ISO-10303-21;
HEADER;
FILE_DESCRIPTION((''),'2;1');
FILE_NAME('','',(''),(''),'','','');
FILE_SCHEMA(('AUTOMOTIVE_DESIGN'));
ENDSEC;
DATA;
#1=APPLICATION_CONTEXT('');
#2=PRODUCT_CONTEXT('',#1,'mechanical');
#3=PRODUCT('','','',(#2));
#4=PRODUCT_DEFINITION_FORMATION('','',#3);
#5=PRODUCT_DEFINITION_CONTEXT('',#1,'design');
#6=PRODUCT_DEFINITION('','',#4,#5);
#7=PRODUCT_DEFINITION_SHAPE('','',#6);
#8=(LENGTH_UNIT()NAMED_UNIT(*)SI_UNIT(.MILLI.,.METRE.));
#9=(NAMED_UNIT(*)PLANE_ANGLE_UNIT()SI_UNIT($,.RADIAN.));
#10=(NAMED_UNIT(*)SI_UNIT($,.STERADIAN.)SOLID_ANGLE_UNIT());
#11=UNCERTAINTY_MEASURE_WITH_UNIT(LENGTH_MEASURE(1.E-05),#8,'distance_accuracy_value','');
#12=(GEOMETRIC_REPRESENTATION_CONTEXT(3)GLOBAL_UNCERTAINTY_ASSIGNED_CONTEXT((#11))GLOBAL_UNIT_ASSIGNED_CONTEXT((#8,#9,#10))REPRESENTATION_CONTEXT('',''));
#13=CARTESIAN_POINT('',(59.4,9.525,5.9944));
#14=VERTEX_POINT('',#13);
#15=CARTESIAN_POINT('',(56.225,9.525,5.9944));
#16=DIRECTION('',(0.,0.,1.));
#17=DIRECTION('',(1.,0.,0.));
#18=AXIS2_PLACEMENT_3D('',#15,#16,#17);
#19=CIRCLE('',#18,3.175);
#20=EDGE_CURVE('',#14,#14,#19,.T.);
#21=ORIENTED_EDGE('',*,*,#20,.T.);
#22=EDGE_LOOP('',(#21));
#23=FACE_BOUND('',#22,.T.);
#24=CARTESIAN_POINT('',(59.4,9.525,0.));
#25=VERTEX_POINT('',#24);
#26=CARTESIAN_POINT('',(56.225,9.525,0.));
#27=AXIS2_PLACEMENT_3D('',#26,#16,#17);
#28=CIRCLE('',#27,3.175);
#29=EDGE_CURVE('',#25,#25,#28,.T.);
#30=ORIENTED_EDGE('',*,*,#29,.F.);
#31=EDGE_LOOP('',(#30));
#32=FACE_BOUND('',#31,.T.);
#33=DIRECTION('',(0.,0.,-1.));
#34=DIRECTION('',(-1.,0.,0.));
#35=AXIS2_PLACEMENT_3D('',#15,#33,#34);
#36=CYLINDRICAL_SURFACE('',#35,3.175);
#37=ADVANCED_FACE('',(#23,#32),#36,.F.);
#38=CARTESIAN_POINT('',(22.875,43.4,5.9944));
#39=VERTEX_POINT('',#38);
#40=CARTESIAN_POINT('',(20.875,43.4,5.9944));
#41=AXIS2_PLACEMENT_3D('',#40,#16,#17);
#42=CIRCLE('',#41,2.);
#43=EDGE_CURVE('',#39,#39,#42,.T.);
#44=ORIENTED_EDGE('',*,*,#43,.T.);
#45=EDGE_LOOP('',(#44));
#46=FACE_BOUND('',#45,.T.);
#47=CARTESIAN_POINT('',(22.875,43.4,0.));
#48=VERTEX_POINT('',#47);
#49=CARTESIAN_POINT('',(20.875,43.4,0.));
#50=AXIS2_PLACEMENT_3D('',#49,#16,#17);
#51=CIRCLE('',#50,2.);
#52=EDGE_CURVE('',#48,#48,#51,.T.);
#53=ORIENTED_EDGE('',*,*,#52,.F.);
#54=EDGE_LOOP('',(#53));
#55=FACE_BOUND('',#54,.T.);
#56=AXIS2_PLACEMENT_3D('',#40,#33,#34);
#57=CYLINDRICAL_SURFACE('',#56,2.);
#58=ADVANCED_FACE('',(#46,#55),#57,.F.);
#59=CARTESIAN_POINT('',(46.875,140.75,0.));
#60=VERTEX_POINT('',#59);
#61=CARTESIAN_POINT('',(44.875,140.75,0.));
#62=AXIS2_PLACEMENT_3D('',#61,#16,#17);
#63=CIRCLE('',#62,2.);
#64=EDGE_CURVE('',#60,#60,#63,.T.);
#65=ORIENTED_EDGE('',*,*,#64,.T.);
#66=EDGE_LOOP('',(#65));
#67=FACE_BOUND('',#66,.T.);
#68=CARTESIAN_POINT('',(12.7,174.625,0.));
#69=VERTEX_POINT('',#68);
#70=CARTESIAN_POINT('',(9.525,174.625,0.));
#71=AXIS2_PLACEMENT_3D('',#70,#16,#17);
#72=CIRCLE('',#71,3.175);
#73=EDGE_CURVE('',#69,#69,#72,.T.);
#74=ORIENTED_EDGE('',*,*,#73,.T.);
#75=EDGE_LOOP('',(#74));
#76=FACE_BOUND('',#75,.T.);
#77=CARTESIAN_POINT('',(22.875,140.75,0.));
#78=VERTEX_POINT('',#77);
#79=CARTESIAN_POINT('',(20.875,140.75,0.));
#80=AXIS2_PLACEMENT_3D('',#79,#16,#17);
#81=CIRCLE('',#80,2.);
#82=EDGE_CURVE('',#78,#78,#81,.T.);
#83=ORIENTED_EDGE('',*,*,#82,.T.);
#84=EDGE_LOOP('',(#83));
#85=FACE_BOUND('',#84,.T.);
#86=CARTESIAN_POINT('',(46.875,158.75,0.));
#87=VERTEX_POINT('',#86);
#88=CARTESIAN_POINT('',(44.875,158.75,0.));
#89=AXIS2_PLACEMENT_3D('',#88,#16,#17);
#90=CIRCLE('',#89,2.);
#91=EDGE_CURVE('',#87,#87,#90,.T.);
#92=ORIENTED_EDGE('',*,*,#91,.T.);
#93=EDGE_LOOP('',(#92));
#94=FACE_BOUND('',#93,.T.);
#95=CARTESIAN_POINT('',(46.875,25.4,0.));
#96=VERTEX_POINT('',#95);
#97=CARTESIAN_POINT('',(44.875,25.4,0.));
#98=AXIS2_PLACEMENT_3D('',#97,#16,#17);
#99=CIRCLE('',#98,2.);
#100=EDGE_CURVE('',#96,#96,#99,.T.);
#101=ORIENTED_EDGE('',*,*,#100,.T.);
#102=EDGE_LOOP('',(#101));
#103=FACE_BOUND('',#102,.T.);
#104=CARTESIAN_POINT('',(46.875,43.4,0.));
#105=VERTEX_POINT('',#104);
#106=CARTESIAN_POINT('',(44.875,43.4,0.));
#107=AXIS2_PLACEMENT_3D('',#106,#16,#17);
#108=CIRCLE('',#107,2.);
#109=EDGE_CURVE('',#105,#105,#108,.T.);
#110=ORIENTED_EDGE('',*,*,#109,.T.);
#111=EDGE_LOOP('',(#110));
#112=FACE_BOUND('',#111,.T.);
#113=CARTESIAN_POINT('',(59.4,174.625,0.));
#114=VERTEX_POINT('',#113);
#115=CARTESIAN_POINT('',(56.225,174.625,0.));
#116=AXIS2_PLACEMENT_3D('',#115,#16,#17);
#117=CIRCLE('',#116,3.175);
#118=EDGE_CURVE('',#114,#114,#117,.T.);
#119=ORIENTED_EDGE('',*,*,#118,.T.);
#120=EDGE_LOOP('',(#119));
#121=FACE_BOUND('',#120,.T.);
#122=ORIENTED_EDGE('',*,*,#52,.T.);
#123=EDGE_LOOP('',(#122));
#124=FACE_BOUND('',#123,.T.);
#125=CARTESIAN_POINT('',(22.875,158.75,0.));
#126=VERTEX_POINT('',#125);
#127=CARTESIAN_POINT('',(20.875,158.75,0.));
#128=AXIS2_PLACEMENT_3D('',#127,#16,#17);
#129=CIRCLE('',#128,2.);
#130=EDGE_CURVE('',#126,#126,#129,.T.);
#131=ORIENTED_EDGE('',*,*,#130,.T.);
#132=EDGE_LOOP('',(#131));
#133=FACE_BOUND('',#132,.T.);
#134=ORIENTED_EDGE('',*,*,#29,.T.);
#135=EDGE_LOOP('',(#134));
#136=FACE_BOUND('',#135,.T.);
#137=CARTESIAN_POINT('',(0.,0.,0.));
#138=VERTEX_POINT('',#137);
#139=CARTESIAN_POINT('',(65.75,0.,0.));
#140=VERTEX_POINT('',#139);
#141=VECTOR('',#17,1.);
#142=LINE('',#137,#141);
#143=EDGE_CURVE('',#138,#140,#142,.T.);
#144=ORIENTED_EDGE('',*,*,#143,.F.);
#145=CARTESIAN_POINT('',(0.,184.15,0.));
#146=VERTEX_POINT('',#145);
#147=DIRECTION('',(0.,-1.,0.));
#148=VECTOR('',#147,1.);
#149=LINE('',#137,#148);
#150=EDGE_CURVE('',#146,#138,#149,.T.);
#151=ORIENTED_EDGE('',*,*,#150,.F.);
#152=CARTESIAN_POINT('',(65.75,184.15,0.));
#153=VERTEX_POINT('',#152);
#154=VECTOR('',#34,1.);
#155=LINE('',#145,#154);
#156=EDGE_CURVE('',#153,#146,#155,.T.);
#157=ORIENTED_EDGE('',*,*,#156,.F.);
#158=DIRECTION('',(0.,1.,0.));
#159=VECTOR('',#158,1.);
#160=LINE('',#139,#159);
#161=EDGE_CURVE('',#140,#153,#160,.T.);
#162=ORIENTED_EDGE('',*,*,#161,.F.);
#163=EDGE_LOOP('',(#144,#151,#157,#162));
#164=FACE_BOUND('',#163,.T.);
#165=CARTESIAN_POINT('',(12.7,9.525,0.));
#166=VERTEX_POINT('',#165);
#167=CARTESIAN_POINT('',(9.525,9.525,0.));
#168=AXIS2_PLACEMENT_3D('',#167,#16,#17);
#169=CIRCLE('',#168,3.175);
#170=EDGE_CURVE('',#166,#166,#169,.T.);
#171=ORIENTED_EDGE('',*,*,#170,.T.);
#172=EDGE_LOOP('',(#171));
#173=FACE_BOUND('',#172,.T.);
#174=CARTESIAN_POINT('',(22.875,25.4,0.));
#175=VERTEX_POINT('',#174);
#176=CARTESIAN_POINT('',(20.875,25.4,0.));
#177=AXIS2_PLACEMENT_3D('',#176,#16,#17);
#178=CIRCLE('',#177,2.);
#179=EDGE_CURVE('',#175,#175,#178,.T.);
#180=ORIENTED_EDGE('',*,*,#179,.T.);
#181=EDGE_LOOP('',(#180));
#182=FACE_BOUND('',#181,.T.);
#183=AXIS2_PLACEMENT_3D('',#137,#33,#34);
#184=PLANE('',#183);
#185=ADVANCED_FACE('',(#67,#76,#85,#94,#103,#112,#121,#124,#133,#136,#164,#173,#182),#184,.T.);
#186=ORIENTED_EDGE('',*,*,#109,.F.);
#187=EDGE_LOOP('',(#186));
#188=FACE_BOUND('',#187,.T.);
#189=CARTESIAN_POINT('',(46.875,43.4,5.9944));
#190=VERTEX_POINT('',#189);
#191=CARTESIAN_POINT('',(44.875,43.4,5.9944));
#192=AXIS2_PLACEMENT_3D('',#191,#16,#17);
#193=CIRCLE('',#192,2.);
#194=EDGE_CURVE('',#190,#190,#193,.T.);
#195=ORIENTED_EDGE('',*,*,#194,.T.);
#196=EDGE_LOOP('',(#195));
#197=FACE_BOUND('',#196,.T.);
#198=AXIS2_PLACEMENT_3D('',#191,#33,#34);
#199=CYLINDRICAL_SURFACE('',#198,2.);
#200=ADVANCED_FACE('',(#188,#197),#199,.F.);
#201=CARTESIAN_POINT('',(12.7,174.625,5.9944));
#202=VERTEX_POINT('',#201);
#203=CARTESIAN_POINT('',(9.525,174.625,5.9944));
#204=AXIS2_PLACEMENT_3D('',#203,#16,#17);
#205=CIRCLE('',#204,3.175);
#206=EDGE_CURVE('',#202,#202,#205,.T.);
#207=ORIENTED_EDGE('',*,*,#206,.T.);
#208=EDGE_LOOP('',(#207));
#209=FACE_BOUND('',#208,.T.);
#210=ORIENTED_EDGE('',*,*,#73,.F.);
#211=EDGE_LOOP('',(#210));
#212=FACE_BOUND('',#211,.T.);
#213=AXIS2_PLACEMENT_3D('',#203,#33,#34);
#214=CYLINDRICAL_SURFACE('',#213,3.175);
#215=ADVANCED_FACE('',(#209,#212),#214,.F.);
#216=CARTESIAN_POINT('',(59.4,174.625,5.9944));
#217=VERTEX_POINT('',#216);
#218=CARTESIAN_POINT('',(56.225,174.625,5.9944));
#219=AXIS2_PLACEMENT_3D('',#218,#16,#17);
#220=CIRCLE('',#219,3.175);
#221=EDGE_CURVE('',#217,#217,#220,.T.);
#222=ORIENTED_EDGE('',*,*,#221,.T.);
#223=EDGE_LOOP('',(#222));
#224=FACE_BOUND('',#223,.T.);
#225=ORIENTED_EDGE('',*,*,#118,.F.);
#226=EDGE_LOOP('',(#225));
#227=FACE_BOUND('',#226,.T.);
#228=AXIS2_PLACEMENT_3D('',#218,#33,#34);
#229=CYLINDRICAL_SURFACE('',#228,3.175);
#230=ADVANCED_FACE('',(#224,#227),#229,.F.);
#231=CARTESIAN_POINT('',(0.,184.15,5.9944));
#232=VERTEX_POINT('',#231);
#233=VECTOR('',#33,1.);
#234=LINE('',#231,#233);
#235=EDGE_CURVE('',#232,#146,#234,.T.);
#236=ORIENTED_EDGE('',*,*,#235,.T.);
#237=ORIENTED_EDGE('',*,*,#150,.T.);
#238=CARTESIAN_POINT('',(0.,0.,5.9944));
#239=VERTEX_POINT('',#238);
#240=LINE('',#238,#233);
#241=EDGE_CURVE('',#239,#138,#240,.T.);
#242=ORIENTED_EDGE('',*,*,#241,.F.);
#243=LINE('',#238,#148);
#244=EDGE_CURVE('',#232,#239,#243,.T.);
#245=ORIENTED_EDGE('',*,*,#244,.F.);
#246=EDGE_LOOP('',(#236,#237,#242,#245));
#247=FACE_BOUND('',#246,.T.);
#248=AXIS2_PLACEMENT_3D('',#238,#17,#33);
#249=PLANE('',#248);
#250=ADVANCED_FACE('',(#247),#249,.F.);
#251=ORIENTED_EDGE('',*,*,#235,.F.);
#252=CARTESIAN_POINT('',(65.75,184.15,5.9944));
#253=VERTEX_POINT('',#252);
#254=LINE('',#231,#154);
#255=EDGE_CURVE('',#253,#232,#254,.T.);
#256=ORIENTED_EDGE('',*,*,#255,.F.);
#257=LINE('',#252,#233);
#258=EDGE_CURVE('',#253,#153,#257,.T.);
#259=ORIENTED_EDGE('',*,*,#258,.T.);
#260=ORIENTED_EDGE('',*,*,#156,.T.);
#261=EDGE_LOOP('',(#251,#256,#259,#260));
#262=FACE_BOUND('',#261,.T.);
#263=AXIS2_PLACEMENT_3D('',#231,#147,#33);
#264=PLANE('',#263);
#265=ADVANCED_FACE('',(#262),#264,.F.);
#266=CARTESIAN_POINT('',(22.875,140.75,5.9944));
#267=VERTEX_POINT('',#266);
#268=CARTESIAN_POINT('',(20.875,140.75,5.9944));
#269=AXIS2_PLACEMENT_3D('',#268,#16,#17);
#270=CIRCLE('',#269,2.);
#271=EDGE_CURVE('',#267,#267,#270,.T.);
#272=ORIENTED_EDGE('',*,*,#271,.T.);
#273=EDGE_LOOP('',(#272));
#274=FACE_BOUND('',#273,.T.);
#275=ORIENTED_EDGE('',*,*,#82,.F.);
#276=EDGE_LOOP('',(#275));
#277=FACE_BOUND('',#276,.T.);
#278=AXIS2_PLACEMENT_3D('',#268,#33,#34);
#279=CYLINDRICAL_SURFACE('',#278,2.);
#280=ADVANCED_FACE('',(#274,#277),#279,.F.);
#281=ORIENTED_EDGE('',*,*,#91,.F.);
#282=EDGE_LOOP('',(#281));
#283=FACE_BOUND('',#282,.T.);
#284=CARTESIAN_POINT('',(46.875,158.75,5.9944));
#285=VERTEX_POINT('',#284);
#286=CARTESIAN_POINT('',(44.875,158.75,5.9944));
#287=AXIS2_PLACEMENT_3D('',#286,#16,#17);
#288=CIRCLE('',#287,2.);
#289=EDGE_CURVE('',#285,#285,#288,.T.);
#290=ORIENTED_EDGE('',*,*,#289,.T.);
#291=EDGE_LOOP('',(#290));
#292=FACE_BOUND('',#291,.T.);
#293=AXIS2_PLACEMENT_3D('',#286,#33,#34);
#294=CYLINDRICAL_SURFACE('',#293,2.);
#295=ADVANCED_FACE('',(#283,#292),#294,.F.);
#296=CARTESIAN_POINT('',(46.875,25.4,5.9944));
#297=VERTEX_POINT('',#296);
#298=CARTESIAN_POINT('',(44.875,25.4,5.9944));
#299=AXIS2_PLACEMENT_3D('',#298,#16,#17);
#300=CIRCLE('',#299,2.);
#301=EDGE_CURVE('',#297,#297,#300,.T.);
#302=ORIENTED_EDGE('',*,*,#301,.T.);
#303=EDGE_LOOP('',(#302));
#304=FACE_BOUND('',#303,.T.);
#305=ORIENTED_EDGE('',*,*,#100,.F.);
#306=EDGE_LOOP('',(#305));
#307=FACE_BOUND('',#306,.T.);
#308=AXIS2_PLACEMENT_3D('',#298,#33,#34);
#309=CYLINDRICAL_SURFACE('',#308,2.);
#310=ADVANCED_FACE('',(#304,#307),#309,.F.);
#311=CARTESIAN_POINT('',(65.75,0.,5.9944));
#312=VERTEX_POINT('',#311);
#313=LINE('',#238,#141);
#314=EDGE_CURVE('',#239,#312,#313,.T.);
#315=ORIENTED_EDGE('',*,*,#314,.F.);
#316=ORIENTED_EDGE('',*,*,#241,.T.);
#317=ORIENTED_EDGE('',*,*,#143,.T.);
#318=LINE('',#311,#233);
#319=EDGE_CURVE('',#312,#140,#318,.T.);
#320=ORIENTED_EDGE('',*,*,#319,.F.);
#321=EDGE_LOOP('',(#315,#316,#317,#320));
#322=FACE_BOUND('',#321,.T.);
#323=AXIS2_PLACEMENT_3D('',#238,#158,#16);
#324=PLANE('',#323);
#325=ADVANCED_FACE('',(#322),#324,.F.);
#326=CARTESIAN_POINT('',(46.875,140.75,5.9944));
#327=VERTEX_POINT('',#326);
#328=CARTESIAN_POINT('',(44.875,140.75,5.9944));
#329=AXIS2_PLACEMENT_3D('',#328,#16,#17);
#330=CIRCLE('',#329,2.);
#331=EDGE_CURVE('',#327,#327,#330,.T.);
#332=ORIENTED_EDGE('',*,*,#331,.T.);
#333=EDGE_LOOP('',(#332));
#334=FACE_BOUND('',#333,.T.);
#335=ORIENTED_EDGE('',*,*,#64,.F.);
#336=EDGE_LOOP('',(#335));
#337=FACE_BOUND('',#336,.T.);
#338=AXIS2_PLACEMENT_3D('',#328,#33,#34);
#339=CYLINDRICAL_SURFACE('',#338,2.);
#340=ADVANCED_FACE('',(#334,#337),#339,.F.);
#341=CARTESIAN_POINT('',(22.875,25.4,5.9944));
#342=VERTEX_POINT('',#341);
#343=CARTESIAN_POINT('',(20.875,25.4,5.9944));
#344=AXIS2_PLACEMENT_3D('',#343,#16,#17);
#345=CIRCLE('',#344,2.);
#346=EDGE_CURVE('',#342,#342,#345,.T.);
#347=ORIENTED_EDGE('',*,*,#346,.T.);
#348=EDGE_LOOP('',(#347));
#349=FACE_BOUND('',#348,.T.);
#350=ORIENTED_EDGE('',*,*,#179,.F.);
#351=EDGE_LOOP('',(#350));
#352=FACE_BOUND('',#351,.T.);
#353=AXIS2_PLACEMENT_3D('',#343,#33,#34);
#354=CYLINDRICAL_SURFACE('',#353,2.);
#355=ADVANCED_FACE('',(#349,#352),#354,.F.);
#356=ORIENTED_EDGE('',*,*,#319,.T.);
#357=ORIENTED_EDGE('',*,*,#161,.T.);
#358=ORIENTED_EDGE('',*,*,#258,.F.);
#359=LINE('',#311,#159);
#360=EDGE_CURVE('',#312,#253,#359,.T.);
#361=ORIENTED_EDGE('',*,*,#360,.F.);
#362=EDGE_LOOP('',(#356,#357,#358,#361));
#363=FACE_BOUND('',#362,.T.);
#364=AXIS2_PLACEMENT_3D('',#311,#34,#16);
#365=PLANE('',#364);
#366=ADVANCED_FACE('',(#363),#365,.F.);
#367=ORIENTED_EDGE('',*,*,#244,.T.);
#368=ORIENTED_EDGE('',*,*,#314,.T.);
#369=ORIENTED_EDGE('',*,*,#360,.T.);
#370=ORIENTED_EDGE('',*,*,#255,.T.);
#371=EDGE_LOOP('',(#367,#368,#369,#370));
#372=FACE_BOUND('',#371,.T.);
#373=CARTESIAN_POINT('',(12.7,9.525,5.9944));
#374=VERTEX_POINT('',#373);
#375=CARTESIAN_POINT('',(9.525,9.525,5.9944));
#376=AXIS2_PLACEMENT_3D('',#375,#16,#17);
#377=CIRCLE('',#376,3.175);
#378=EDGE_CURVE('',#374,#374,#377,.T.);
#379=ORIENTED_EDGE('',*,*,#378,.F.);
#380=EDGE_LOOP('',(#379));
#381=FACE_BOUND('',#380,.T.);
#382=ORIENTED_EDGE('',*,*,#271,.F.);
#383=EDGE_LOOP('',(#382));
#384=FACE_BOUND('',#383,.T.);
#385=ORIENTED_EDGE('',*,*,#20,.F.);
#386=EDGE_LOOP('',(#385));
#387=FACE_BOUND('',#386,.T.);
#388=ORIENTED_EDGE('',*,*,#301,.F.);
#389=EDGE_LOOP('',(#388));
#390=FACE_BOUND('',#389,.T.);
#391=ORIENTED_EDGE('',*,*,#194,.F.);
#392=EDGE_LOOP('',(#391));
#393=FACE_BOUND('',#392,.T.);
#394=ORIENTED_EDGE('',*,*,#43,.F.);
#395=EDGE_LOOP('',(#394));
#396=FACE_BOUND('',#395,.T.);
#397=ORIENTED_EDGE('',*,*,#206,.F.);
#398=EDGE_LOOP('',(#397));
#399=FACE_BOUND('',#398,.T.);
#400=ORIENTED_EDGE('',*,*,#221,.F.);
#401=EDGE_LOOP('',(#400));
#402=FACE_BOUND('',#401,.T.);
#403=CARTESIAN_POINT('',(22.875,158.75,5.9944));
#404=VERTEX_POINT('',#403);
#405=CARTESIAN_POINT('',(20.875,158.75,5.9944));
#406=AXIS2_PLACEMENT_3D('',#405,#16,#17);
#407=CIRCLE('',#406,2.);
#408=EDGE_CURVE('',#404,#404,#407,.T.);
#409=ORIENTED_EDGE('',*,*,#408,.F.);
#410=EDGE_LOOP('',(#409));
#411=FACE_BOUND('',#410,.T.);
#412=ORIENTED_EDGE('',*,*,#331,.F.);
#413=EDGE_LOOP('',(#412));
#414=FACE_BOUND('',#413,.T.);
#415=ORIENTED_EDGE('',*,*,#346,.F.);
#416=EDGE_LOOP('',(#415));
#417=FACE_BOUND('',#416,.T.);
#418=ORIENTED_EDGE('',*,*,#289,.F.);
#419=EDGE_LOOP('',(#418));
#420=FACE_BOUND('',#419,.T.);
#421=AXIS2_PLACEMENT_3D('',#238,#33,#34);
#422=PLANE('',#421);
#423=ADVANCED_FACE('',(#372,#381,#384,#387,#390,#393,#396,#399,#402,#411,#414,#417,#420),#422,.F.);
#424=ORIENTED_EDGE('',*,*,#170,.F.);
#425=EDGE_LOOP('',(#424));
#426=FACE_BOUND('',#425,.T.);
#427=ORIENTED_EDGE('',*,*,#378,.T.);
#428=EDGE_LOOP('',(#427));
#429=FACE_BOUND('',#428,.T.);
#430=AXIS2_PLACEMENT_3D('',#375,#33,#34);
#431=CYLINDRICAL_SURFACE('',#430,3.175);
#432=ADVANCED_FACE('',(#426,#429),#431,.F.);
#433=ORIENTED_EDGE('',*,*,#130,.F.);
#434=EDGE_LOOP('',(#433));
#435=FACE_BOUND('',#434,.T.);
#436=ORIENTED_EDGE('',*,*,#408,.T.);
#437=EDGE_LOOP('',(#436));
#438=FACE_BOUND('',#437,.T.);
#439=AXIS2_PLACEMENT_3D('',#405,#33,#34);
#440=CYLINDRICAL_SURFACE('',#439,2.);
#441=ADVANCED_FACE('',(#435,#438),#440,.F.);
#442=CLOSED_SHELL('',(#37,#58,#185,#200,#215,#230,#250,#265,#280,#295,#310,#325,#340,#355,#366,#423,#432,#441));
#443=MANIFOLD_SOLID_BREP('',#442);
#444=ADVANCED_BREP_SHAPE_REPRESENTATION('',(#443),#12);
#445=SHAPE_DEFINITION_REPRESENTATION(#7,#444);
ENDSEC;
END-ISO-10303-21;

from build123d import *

# Parameters (mm, degrees)
SKETCH1_W           = 65.75
SKETCH1_H           = 184.15
SKETCH1_R           = 3.175
SKETCH1_R_2         = 2
BOSS_EXTRUDE1_DEPTH = 5.9944


with BuildPart() as part:
    # Sketch1 → Boss-Extrude1 (new body)
    with BuildSketch(Plane.XY):
        with Locations((32.875, 92.075)):
            Rectangle(SKETCH1_W, SKETCH1_H)
        with Locations((9.525, 9.525)):
            Circle(SKETCH1_R, mode=Mode.SUBTRACT)
        with Locations((56.225, 9.525)):
            Circle(SKETCH1_R, mode=Mode.SUBTRACT)
        with Locations((56.225, 174.625)):
            Circle(SKETCH1_R, mode=Mode.SUBTRACT)
        with Locations((9.525, 174.625)):
            Circle(SKETCH1_R, mode=Mode.SUBTRACT)
        with Locations((20.875, 158.75)):
            Circle(SKETCH1_R_2, mode=Mode.SUBTRACT)
        with Locations((44.875, 158.75)):
            Circle(SKETCH1_R_2, mode=Mode.SUBTRACT)
        with Locations((44.875, 140.75)):
            Circle(SKETCH1_R_2, mode=Mode.SUBTRACT)
        with Locations((20.875, 140.75)):
            Circle(SKETCH1_R_2, mode=Mode.SUBTRACT)
        with Locations((20.875, 43.4)):
            Circle(SKETCH1_R_2, mode=Mode.SUBTRACT)
        with Locations((44.875, 43.4)):
            Circle(SKETCH1_R_2, mode=Mode.SUBTRACT)
        with Locations((44.875, 25.4)):
            Circle(SKETCH1_R_2, mode=Mode.SUBTRACT)
        with Locations((20.875, 25.4)):
            Circle(SKETCH1_R_2, mode=Mode.SUBTRACT)
    extrude(amount=BOSS_EXTRUDE1_DEPTH)


solid = part.part
